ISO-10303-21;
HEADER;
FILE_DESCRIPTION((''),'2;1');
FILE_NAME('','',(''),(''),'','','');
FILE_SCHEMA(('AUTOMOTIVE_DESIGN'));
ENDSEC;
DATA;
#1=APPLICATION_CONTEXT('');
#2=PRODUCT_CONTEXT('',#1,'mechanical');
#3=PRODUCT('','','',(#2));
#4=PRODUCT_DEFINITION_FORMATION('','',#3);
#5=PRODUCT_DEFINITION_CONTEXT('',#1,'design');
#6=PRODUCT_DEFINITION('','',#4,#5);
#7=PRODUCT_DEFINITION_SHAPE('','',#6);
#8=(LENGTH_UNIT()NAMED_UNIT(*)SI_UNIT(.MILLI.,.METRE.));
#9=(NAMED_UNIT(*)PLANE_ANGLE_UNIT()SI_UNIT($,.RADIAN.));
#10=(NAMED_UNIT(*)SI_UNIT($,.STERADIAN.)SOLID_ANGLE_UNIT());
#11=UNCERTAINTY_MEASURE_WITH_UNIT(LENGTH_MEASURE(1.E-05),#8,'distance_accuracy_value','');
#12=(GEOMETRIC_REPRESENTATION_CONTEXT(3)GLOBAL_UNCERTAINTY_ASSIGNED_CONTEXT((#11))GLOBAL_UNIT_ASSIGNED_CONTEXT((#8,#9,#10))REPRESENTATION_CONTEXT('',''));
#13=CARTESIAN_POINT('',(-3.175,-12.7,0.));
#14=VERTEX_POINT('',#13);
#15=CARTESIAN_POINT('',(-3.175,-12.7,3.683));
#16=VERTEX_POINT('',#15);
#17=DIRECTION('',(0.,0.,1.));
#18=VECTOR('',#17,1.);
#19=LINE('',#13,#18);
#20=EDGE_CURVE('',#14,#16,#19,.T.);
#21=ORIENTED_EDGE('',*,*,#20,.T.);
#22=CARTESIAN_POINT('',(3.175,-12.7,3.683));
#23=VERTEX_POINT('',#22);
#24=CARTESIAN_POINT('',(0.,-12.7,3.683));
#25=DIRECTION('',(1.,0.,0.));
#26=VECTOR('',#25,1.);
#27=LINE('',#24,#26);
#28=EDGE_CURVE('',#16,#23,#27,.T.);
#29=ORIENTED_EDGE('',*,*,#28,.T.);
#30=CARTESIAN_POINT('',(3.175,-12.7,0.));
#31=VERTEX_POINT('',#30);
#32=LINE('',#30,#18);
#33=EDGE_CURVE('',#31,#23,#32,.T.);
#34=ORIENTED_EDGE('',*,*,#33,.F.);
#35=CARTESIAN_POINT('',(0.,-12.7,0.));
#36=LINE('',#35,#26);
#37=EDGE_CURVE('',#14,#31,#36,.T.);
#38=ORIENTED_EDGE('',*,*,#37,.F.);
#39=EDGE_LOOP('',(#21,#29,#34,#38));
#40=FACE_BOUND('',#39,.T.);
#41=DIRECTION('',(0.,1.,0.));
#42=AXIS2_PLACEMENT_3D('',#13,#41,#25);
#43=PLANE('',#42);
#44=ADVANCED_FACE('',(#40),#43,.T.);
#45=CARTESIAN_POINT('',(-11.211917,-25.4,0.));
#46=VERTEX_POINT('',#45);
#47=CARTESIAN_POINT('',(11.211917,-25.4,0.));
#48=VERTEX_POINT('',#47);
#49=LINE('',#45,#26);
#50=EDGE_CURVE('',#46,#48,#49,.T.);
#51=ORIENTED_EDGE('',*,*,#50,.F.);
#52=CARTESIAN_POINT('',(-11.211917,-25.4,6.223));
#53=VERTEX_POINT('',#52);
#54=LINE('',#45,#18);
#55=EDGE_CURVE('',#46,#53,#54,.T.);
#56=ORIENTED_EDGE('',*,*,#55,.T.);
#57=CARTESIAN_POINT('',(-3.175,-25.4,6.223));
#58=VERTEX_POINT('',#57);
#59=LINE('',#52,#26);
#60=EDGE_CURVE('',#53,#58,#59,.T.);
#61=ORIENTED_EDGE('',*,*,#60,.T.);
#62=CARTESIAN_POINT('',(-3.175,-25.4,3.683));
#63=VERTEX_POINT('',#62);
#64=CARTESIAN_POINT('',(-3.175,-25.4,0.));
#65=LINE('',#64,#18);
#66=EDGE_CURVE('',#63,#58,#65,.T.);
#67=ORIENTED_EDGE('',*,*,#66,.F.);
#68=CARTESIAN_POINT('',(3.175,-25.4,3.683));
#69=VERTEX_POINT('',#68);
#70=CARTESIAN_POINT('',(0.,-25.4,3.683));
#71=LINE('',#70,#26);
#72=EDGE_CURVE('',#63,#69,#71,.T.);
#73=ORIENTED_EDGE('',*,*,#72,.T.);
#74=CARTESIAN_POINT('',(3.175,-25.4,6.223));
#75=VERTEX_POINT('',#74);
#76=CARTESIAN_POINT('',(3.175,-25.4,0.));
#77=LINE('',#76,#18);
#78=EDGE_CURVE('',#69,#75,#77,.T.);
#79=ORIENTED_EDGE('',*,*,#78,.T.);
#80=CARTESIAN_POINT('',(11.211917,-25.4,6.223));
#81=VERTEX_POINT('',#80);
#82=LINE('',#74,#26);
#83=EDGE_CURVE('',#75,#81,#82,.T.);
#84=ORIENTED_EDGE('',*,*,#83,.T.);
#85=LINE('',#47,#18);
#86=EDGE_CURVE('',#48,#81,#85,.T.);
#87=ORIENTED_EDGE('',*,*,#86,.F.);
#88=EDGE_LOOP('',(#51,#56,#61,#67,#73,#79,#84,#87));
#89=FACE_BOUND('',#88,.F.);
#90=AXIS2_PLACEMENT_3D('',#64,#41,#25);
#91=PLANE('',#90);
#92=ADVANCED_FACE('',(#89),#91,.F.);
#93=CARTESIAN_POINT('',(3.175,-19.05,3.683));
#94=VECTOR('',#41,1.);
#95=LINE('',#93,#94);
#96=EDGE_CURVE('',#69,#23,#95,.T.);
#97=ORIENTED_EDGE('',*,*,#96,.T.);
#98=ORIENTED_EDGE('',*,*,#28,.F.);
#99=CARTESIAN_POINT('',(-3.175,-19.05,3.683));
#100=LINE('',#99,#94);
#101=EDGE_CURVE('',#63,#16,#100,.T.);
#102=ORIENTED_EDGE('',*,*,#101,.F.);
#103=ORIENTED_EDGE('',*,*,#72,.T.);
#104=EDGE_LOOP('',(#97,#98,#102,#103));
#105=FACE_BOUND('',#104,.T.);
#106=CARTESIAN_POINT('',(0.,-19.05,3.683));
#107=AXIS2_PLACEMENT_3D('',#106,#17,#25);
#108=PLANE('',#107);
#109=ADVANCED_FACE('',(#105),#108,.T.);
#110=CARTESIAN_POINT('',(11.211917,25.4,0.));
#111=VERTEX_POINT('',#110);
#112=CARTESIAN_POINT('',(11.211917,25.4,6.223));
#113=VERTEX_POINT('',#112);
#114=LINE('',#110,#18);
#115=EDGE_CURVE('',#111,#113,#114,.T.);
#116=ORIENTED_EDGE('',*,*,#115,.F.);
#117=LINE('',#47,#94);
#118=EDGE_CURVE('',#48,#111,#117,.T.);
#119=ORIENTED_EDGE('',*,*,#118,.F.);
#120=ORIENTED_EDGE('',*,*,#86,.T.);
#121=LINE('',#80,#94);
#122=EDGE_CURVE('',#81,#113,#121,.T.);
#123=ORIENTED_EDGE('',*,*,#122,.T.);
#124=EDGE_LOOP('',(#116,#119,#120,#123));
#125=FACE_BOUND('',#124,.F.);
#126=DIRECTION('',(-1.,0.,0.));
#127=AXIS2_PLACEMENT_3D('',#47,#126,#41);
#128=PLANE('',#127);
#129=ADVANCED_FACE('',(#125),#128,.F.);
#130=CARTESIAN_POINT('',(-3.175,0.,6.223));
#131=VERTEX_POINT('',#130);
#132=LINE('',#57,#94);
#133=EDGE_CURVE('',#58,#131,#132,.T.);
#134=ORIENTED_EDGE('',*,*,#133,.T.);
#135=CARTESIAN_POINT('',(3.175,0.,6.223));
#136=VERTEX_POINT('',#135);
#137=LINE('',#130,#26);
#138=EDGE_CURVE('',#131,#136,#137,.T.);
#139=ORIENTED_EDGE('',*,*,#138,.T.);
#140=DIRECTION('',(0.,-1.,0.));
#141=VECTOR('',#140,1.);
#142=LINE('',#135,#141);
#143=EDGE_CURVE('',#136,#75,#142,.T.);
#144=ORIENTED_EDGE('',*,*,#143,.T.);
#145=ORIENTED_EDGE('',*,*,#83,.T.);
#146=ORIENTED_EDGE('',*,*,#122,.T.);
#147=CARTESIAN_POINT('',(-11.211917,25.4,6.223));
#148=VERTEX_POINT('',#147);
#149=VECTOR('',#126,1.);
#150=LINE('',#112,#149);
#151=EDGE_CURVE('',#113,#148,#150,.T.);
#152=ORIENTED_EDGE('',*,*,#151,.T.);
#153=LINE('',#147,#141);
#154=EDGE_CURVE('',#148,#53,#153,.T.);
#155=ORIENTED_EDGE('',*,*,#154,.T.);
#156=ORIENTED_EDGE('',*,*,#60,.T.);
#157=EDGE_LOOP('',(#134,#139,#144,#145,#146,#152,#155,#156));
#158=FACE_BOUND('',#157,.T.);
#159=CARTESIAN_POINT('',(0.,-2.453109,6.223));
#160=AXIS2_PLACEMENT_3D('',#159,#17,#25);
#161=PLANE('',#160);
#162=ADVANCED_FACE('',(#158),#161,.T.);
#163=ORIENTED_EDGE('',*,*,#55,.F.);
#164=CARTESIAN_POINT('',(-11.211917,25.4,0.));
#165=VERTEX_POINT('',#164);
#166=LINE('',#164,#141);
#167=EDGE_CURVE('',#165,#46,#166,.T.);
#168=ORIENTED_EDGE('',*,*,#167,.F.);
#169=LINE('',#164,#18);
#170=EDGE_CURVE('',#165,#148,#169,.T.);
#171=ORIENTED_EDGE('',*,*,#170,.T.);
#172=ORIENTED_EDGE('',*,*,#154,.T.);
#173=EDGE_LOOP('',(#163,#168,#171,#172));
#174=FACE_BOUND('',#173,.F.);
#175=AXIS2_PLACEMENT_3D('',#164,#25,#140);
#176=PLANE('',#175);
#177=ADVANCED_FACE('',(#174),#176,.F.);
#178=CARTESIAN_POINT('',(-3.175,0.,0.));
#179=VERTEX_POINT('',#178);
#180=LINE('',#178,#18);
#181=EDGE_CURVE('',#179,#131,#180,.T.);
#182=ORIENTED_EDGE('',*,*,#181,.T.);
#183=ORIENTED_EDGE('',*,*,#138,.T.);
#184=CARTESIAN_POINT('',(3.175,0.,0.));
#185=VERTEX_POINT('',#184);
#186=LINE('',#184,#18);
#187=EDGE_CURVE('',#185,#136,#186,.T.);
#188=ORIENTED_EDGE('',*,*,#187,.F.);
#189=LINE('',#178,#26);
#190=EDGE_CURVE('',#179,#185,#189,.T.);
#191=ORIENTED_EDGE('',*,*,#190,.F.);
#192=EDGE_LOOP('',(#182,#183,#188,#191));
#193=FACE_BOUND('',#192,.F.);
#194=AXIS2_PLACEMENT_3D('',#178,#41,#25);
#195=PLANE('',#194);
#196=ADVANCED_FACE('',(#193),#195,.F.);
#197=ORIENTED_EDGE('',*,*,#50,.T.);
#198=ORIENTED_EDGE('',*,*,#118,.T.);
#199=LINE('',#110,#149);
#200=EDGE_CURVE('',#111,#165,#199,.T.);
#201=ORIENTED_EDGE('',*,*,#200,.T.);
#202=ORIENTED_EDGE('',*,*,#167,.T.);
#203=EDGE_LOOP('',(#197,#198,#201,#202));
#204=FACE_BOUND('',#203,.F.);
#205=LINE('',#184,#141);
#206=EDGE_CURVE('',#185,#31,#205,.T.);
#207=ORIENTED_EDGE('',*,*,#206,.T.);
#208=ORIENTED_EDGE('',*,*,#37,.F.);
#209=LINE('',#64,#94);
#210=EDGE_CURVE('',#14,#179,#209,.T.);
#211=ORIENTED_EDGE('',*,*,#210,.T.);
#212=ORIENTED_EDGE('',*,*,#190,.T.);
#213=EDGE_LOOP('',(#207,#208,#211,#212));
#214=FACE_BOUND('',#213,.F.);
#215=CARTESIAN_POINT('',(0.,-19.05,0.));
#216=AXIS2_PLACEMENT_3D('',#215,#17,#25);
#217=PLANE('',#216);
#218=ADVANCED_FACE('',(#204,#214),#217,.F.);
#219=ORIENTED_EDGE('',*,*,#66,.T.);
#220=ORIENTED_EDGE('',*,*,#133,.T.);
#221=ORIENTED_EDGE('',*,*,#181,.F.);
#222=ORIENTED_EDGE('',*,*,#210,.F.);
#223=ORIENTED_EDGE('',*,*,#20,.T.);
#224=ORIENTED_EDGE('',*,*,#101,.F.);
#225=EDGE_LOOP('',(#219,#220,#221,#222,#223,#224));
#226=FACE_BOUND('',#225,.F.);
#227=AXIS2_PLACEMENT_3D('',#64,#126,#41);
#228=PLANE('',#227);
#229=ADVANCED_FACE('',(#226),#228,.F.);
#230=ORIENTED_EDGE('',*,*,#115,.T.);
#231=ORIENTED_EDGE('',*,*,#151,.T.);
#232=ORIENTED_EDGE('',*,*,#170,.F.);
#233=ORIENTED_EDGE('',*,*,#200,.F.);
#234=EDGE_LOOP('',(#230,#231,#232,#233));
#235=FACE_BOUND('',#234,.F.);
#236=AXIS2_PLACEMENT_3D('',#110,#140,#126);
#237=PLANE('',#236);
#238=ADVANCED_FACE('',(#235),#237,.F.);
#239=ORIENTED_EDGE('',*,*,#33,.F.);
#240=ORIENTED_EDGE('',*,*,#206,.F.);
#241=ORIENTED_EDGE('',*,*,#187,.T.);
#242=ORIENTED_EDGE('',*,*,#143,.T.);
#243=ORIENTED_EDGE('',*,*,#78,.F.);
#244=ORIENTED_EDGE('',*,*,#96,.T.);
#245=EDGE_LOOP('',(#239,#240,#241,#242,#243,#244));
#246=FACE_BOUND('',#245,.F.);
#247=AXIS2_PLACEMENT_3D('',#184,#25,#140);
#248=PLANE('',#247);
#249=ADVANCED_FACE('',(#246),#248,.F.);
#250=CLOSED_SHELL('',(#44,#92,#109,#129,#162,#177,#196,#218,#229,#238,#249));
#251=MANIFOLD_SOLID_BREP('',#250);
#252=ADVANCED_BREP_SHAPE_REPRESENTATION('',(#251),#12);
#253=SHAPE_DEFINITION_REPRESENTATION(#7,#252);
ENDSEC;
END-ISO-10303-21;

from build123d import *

# Parameters (mm, degrees)
F1_DEPTH = 6.223
F0_W     = 6.35
F0_H     = 12.7
F2_DEPTH = 3.683


with BuildPart() as f1:
    # F0 (on Top) → F1 (new body)
    with BuildSketch(Plane.XY):
        Polygon((3.175, -25.4), (11.211917, -25.4), (11.211917, 25.4), (-11.211917, 25.4), (-11.211917, -25.4), (-3.175, -25.4), (-3.175, -12.7), (-3.175, 0), (3.175, 0), (3.175, -12.7), align=None)
    extrude(amount=F1_DEPTH)

    # F0 (on Top) → F2 (join)
    with BuildSketch(Plane.XY):
        with Locations((0, -19.05)):
            Rectangle(F0_W, F0_H)
    extrude(amount=F2_DEPTH)


solid = f1.part
